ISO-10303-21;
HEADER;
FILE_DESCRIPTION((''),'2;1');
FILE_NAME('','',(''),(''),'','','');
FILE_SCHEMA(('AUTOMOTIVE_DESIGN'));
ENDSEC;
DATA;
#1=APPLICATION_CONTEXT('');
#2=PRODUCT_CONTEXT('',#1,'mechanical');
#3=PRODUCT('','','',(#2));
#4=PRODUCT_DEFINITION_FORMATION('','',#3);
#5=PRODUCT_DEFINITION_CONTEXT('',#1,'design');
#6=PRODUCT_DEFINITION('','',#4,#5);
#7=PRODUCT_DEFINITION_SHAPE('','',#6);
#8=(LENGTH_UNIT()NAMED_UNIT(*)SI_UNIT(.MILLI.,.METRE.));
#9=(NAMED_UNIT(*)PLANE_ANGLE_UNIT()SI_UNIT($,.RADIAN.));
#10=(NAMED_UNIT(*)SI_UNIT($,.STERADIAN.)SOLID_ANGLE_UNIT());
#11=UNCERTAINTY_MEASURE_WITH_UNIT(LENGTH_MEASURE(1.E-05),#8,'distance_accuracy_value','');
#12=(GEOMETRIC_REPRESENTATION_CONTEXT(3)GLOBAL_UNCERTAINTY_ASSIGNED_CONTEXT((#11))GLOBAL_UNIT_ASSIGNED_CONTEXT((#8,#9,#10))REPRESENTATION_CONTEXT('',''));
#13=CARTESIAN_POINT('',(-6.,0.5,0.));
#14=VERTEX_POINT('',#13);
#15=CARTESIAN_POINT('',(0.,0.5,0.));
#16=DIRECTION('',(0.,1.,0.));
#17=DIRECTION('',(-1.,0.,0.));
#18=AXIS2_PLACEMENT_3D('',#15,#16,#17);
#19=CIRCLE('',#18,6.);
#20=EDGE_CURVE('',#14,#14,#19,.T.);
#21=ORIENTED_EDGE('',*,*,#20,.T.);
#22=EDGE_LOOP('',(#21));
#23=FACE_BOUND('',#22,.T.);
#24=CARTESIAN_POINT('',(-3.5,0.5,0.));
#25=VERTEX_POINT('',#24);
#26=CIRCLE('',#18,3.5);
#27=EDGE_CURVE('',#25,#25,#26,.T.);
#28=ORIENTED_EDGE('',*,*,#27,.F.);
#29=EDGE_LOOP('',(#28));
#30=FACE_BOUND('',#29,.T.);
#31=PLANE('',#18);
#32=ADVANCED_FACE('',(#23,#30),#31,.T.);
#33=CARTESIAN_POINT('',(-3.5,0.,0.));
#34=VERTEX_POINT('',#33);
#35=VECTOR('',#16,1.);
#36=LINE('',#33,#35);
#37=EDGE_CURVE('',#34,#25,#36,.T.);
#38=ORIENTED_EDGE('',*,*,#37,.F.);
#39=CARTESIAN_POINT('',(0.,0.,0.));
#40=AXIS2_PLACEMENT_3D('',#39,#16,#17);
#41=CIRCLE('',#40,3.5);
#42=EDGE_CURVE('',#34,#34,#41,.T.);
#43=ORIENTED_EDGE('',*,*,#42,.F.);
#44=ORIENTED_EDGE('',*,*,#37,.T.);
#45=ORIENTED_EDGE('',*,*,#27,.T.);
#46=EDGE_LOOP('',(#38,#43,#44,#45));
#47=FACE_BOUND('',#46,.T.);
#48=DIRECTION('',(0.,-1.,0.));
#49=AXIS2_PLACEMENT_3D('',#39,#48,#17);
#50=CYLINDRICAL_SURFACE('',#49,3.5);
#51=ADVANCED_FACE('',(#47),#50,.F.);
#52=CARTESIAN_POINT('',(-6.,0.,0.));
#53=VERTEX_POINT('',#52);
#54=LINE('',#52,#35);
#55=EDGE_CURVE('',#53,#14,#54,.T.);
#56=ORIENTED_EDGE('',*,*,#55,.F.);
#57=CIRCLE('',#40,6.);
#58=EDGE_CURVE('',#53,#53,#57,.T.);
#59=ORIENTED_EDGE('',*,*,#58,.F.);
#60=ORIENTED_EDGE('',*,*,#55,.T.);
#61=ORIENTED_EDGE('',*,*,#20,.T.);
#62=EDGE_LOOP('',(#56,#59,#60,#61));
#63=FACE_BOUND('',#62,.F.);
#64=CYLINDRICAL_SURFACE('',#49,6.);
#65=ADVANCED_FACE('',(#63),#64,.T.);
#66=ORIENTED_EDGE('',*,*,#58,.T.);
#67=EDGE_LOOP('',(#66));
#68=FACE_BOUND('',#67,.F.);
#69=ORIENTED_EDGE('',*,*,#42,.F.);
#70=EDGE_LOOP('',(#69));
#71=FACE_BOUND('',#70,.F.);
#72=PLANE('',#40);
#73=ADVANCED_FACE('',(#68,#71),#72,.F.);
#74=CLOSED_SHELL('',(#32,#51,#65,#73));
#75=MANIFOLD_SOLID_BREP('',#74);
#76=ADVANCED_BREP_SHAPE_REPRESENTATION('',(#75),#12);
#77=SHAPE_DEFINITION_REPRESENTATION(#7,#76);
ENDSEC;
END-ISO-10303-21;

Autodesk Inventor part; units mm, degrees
ref_plane "YZ Plane" through (0, 0, 0) normal (1, 0, 0) x (0, 1, 0)
ref_plane "XZ Plane" through (0, 0, 0) normal (0, 1, 0) x (-1, 0, 0)
ref_plane "XY Plane" through (0, 0, 0) normal (0, 0, 1) x (1, 0, 0)
sketch "Sketch1" plane through (0, 0, 0) normal (0, 1, 0) x (-1, 0, 0)
  circle A0 centre (0, 0) radius 3.5
  circle A1 centre (0, 0) radius 6
  dimension "d0" = 7
  dimension "d1" = 12
extrude "Extrusion1" add sketch "Sketch1" along normal blind 0.5
properties part number "Flange"
